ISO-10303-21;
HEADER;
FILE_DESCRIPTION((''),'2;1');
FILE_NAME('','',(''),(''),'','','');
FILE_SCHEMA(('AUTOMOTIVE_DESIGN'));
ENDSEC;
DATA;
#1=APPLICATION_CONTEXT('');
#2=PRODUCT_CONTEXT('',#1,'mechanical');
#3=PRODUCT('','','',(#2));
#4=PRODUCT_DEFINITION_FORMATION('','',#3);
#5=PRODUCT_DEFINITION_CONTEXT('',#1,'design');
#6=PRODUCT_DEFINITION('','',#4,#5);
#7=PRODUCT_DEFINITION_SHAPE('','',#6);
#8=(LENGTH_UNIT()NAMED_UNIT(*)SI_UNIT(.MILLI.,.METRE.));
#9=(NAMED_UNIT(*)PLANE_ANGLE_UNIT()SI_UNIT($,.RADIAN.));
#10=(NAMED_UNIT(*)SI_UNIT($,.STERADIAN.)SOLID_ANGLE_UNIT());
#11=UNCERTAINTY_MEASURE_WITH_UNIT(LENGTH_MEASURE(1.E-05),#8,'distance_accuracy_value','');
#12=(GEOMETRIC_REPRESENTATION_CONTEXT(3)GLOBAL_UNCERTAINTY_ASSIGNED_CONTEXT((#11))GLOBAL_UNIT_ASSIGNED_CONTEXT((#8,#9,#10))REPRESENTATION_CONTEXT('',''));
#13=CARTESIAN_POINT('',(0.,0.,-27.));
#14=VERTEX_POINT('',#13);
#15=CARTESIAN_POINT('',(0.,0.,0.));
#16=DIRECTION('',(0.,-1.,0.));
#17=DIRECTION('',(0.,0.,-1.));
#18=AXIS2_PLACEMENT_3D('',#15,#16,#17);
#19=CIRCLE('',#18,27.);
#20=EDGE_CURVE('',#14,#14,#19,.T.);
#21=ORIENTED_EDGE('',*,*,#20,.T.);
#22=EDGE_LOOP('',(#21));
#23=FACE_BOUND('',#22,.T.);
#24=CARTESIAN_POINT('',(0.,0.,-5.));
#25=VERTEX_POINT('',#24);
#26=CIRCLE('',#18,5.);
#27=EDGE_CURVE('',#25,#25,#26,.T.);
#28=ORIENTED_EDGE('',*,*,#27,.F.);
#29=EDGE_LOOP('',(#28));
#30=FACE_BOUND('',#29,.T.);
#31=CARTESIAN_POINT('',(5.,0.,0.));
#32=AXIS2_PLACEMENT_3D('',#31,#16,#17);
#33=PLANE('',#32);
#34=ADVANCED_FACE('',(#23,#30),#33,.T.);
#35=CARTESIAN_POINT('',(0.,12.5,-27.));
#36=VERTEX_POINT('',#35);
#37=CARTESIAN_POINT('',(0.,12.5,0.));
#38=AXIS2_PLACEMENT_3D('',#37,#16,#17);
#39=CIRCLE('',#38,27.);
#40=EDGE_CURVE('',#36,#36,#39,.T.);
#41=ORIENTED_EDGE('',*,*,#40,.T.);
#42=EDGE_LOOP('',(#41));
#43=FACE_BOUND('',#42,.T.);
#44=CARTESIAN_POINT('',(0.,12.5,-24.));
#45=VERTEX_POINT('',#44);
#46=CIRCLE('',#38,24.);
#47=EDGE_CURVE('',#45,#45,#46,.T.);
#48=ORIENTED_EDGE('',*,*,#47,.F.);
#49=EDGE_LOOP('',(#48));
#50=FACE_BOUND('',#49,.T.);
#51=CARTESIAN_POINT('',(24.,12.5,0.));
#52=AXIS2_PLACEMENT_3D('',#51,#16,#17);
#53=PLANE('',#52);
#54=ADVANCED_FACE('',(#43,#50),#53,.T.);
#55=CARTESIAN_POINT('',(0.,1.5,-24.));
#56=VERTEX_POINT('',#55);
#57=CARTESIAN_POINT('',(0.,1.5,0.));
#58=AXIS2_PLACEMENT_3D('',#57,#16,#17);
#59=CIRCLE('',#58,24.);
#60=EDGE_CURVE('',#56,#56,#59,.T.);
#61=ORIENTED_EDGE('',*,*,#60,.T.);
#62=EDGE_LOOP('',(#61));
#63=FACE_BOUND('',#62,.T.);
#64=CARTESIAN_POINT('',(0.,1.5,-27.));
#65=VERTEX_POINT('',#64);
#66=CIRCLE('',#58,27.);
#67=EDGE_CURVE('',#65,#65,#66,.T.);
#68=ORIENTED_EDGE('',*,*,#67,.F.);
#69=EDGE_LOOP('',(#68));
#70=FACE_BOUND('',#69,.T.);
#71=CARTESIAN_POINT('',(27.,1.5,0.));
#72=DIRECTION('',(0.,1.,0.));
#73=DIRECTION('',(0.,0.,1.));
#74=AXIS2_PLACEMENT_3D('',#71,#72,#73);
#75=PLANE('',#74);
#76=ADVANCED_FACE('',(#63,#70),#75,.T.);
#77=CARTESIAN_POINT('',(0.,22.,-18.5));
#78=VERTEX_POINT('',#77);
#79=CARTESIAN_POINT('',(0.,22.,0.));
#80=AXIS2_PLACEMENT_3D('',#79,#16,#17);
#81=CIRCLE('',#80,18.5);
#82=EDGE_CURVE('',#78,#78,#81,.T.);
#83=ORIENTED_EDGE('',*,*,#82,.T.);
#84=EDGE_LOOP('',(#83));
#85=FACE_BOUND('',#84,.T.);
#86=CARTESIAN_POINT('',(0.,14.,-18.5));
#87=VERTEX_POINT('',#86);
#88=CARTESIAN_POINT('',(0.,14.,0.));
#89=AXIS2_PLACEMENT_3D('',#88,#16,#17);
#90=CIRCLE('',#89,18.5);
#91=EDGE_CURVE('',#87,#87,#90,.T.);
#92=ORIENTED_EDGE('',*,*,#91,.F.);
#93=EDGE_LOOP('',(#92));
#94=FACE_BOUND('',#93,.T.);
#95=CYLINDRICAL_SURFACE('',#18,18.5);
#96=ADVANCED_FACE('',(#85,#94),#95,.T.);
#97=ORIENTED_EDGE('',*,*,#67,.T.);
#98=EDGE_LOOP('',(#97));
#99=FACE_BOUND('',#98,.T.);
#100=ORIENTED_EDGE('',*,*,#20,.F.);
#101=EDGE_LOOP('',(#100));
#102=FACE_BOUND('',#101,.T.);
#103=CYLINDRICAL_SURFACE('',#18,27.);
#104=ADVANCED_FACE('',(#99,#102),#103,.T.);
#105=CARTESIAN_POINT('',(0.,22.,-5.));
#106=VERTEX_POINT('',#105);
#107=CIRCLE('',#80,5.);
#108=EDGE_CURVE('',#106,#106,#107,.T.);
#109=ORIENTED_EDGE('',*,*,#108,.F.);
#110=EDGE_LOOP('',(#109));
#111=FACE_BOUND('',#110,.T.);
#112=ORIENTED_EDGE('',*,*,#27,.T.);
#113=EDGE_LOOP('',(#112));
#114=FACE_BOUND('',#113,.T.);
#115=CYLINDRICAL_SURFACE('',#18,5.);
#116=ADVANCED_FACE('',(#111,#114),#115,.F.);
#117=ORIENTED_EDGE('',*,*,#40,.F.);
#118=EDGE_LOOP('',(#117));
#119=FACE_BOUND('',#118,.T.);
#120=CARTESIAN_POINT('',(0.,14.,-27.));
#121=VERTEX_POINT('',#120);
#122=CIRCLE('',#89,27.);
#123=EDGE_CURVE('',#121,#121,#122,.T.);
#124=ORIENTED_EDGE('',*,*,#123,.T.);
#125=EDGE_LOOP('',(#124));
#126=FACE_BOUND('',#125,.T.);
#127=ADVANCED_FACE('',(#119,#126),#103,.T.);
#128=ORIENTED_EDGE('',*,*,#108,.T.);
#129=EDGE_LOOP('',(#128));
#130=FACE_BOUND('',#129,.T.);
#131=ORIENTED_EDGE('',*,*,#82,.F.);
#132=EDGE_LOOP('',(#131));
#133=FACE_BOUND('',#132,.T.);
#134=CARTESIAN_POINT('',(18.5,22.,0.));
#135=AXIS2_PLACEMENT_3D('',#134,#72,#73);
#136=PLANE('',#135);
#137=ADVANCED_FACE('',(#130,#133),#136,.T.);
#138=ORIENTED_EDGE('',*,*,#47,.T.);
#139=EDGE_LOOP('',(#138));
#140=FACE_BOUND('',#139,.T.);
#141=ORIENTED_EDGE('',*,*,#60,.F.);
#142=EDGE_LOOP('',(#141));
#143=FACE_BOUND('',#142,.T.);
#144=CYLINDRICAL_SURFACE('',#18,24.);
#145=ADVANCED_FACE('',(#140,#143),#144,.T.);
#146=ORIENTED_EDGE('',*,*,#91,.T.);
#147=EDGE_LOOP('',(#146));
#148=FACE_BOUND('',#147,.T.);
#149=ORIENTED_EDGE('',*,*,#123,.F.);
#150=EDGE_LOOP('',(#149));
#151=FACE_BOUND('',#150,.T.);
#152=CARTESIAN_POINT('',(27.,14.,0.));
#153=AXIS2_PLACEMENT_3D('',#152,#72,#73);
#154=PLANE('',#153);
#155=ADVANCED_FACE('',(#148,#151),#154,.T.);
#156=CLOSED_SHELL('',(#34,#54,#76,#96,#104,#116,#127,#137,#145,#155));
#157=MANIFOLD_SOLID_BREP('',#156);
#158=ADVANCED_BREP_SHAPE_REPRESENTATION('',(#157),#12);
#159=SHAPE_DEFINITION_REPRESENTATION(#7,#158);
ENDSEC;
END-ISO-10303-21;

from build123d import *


with BuildPart() as part:
    # Esquisse1 → Révolution1 (revolve)
    with BuildSketch(Plane.XY, mode=Mode.PRIVATE) as r_volution1_sk:
        Polygon((5, 0), (27, 0), (27, 1.5), (24, 1.5), (24, 12.5), (27, 12.5), (27, 14), (18.5, 14), (18.5, 22), (5, 22), align=None)
    revolve(r_volution1_sk.sketch.rotate(Axis((0, 0, 0), (0, 1, 0)), 90), axis=Axis((0, 0, 0), (0, 1, 0)))


solid = part.part
